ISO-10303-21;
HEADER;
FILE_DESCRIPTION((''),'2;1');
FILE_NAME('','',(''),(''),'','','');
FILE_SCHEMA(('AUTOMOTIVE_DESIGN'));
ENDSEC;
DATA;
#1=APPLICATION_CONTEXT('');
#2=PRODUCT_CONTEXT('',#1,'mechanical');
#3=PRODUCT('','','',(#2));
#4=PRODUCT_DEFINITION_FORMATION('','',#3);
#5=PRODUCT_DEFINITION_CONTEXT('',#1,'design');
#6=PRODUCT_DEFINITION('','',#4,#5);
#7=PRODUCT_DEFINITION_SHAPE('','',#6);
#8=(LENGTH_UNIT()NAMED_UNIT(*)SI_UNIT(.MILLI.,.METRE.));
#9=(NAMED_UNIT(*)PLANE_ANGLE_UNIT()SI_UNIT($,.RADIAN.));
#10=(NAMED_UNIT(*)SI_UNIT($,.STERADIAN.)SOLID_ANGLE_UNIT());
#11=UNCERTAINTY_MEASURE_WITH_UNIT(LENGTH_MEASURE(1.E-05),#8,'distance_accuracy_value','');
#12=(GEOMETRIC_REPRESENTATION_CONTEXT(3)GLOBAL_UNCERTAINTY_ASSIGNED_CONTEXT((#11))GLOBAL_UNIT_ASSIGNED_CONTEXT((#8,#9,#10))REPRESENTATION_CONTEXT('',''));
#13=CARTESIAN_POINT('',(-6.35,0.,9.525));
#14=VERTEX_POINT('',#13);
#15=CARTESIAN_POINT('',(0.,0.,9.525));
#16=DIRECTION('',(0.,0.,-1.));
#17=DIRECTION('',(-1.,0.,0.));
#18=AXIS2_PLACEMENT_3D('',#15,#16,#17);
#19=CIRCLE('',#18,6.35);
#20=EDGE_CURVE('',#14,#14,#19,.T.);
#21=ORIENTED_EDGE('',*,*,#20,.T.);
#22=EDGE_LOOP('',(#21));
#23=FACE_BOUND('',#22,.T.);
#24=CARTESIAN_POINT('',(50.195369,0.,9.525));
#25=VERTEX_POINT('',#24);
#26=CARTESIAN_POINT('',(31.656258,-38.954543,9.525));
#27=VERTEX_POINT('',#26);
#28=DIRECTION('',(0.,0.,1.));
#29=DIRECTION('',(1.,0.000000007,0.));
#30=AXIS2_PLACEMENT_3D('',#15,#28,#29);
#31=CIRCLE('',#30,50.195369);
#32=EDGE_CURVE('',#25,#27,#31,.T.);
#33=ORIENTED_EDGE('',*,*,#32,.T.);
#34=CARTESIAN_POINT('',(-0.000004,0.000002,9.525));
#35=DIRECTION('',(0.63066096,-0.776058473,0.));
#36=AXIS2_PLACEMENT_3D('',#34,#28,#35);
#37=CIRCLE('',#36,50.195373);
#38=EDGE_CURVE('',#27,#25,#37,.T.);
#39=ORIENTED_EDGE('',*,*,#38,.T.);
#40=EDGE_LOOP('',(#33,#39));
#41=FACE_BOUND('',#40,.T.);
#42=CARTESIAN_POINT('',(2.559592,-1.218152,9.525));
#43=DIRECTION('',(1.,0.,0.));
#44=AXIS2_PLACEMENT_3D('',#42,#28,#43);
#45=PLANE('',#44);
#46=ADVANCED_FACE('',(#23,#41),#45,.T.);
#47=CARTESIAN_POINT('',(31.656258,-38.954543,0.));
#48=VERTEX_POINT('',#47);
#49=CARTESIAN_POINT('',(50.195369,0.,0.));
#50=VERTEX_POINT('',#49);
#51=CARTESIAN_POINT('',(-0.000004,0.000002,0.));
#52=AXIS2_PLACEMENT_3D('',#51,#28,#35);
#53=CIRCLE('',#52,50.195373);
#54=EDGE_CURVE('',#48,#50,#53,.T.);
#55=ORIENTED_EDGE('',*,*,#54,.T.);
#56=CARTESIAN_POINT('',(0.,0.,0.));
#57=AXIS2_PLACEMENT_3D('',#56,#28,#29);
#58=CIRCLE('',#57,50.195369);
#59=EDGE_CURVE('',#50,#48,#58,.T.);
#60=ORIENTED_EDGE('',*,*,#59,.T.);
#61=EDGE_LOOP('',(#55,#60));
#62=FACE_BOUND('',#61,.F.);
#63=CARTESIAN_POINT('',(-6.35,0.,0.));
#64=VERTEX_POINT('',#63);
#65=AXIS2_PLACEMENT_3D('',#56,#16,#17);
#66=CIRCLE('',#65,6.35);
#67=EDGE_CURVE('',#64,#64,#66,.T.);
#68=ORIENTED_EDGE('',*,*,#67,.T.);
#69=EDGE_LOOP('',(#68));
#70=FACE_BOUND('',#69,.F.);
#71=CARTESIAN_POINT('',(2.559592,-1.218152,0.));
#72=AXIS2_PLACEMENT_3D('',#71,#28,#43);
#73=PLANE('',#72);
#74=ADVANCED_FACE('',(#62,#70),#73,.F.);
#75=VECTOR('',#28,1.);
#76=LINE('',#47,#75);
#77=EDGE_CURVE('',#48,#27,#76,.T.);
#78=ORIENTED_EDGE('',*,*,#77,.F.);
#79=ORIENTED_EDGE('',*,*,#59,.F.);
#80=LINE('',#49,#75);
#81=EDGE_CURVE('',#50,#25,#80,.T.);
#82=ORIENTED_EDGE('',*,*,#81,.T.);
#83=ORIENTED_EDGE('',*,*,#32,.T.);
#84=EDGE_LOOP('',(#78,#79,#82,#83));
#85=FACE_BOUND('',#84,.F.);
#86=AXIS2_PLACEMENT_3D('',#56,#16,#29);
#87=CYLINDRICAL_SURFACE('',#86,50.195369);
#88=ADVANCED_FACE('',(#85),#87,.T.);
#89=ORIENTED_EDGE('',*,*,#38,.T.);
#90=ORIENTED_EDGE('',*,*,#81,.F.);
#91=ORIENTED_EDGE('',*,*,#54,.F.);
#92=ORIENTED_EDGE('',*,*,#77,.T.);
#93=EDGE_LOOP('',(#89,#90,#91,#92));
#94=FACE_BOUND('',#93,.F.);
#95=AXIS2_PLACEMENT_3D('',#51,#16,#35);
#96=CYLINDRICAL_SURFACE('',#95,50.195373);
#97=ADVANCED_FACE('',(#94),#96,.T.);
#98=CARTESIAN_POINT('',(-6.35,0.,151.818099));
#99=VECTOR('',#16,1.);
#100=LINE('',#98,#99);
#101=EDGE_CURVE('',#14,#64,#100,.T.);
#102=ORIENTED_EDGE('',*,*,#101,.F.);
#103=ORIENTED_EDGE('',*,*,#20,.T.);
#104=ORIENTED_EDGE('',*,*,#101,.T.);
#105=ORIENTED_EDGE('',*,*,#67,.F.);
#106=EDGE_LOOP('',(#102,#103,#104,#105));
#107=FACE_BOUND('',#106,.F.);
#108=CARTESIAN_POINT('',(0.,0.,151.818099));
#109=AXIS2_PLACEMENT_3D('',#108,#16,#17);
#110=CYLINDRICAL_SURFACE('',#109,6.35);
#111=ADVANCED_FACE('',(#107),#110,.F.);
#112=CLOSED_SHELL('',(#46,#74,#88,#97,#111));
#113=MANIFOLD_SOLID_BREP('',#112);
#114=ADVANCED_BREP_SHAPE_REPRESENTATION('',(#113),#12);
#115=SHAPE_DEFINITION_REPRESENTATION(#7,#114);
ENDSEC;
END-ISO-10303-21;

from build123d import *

# Parameters (mm, degrees)
F1_DEPTH = 9.525
F3_D     = 12.7


with BuildPart() as f1:
    # F0 (on Top) → F1 (new body)
    with BuildSketch(Plane.XY):
        with BuildLine():
            ThreePointArc((31.656258, -38.954543), (45.324235, -21.570553), (50.195369, 0))
            ThreePointArc((50.195369, 0), (-45.324235, 21.570553), (31.656258, -38.954543))
        make_face()
    extrude(amount=F1_DEPTH)

    # F3 (through all)
    with Locations(Plane.XY.offset(9.525)):
        with Locations((0, 0)):
            Hole(F3_D / 2)


solid = f1.part
